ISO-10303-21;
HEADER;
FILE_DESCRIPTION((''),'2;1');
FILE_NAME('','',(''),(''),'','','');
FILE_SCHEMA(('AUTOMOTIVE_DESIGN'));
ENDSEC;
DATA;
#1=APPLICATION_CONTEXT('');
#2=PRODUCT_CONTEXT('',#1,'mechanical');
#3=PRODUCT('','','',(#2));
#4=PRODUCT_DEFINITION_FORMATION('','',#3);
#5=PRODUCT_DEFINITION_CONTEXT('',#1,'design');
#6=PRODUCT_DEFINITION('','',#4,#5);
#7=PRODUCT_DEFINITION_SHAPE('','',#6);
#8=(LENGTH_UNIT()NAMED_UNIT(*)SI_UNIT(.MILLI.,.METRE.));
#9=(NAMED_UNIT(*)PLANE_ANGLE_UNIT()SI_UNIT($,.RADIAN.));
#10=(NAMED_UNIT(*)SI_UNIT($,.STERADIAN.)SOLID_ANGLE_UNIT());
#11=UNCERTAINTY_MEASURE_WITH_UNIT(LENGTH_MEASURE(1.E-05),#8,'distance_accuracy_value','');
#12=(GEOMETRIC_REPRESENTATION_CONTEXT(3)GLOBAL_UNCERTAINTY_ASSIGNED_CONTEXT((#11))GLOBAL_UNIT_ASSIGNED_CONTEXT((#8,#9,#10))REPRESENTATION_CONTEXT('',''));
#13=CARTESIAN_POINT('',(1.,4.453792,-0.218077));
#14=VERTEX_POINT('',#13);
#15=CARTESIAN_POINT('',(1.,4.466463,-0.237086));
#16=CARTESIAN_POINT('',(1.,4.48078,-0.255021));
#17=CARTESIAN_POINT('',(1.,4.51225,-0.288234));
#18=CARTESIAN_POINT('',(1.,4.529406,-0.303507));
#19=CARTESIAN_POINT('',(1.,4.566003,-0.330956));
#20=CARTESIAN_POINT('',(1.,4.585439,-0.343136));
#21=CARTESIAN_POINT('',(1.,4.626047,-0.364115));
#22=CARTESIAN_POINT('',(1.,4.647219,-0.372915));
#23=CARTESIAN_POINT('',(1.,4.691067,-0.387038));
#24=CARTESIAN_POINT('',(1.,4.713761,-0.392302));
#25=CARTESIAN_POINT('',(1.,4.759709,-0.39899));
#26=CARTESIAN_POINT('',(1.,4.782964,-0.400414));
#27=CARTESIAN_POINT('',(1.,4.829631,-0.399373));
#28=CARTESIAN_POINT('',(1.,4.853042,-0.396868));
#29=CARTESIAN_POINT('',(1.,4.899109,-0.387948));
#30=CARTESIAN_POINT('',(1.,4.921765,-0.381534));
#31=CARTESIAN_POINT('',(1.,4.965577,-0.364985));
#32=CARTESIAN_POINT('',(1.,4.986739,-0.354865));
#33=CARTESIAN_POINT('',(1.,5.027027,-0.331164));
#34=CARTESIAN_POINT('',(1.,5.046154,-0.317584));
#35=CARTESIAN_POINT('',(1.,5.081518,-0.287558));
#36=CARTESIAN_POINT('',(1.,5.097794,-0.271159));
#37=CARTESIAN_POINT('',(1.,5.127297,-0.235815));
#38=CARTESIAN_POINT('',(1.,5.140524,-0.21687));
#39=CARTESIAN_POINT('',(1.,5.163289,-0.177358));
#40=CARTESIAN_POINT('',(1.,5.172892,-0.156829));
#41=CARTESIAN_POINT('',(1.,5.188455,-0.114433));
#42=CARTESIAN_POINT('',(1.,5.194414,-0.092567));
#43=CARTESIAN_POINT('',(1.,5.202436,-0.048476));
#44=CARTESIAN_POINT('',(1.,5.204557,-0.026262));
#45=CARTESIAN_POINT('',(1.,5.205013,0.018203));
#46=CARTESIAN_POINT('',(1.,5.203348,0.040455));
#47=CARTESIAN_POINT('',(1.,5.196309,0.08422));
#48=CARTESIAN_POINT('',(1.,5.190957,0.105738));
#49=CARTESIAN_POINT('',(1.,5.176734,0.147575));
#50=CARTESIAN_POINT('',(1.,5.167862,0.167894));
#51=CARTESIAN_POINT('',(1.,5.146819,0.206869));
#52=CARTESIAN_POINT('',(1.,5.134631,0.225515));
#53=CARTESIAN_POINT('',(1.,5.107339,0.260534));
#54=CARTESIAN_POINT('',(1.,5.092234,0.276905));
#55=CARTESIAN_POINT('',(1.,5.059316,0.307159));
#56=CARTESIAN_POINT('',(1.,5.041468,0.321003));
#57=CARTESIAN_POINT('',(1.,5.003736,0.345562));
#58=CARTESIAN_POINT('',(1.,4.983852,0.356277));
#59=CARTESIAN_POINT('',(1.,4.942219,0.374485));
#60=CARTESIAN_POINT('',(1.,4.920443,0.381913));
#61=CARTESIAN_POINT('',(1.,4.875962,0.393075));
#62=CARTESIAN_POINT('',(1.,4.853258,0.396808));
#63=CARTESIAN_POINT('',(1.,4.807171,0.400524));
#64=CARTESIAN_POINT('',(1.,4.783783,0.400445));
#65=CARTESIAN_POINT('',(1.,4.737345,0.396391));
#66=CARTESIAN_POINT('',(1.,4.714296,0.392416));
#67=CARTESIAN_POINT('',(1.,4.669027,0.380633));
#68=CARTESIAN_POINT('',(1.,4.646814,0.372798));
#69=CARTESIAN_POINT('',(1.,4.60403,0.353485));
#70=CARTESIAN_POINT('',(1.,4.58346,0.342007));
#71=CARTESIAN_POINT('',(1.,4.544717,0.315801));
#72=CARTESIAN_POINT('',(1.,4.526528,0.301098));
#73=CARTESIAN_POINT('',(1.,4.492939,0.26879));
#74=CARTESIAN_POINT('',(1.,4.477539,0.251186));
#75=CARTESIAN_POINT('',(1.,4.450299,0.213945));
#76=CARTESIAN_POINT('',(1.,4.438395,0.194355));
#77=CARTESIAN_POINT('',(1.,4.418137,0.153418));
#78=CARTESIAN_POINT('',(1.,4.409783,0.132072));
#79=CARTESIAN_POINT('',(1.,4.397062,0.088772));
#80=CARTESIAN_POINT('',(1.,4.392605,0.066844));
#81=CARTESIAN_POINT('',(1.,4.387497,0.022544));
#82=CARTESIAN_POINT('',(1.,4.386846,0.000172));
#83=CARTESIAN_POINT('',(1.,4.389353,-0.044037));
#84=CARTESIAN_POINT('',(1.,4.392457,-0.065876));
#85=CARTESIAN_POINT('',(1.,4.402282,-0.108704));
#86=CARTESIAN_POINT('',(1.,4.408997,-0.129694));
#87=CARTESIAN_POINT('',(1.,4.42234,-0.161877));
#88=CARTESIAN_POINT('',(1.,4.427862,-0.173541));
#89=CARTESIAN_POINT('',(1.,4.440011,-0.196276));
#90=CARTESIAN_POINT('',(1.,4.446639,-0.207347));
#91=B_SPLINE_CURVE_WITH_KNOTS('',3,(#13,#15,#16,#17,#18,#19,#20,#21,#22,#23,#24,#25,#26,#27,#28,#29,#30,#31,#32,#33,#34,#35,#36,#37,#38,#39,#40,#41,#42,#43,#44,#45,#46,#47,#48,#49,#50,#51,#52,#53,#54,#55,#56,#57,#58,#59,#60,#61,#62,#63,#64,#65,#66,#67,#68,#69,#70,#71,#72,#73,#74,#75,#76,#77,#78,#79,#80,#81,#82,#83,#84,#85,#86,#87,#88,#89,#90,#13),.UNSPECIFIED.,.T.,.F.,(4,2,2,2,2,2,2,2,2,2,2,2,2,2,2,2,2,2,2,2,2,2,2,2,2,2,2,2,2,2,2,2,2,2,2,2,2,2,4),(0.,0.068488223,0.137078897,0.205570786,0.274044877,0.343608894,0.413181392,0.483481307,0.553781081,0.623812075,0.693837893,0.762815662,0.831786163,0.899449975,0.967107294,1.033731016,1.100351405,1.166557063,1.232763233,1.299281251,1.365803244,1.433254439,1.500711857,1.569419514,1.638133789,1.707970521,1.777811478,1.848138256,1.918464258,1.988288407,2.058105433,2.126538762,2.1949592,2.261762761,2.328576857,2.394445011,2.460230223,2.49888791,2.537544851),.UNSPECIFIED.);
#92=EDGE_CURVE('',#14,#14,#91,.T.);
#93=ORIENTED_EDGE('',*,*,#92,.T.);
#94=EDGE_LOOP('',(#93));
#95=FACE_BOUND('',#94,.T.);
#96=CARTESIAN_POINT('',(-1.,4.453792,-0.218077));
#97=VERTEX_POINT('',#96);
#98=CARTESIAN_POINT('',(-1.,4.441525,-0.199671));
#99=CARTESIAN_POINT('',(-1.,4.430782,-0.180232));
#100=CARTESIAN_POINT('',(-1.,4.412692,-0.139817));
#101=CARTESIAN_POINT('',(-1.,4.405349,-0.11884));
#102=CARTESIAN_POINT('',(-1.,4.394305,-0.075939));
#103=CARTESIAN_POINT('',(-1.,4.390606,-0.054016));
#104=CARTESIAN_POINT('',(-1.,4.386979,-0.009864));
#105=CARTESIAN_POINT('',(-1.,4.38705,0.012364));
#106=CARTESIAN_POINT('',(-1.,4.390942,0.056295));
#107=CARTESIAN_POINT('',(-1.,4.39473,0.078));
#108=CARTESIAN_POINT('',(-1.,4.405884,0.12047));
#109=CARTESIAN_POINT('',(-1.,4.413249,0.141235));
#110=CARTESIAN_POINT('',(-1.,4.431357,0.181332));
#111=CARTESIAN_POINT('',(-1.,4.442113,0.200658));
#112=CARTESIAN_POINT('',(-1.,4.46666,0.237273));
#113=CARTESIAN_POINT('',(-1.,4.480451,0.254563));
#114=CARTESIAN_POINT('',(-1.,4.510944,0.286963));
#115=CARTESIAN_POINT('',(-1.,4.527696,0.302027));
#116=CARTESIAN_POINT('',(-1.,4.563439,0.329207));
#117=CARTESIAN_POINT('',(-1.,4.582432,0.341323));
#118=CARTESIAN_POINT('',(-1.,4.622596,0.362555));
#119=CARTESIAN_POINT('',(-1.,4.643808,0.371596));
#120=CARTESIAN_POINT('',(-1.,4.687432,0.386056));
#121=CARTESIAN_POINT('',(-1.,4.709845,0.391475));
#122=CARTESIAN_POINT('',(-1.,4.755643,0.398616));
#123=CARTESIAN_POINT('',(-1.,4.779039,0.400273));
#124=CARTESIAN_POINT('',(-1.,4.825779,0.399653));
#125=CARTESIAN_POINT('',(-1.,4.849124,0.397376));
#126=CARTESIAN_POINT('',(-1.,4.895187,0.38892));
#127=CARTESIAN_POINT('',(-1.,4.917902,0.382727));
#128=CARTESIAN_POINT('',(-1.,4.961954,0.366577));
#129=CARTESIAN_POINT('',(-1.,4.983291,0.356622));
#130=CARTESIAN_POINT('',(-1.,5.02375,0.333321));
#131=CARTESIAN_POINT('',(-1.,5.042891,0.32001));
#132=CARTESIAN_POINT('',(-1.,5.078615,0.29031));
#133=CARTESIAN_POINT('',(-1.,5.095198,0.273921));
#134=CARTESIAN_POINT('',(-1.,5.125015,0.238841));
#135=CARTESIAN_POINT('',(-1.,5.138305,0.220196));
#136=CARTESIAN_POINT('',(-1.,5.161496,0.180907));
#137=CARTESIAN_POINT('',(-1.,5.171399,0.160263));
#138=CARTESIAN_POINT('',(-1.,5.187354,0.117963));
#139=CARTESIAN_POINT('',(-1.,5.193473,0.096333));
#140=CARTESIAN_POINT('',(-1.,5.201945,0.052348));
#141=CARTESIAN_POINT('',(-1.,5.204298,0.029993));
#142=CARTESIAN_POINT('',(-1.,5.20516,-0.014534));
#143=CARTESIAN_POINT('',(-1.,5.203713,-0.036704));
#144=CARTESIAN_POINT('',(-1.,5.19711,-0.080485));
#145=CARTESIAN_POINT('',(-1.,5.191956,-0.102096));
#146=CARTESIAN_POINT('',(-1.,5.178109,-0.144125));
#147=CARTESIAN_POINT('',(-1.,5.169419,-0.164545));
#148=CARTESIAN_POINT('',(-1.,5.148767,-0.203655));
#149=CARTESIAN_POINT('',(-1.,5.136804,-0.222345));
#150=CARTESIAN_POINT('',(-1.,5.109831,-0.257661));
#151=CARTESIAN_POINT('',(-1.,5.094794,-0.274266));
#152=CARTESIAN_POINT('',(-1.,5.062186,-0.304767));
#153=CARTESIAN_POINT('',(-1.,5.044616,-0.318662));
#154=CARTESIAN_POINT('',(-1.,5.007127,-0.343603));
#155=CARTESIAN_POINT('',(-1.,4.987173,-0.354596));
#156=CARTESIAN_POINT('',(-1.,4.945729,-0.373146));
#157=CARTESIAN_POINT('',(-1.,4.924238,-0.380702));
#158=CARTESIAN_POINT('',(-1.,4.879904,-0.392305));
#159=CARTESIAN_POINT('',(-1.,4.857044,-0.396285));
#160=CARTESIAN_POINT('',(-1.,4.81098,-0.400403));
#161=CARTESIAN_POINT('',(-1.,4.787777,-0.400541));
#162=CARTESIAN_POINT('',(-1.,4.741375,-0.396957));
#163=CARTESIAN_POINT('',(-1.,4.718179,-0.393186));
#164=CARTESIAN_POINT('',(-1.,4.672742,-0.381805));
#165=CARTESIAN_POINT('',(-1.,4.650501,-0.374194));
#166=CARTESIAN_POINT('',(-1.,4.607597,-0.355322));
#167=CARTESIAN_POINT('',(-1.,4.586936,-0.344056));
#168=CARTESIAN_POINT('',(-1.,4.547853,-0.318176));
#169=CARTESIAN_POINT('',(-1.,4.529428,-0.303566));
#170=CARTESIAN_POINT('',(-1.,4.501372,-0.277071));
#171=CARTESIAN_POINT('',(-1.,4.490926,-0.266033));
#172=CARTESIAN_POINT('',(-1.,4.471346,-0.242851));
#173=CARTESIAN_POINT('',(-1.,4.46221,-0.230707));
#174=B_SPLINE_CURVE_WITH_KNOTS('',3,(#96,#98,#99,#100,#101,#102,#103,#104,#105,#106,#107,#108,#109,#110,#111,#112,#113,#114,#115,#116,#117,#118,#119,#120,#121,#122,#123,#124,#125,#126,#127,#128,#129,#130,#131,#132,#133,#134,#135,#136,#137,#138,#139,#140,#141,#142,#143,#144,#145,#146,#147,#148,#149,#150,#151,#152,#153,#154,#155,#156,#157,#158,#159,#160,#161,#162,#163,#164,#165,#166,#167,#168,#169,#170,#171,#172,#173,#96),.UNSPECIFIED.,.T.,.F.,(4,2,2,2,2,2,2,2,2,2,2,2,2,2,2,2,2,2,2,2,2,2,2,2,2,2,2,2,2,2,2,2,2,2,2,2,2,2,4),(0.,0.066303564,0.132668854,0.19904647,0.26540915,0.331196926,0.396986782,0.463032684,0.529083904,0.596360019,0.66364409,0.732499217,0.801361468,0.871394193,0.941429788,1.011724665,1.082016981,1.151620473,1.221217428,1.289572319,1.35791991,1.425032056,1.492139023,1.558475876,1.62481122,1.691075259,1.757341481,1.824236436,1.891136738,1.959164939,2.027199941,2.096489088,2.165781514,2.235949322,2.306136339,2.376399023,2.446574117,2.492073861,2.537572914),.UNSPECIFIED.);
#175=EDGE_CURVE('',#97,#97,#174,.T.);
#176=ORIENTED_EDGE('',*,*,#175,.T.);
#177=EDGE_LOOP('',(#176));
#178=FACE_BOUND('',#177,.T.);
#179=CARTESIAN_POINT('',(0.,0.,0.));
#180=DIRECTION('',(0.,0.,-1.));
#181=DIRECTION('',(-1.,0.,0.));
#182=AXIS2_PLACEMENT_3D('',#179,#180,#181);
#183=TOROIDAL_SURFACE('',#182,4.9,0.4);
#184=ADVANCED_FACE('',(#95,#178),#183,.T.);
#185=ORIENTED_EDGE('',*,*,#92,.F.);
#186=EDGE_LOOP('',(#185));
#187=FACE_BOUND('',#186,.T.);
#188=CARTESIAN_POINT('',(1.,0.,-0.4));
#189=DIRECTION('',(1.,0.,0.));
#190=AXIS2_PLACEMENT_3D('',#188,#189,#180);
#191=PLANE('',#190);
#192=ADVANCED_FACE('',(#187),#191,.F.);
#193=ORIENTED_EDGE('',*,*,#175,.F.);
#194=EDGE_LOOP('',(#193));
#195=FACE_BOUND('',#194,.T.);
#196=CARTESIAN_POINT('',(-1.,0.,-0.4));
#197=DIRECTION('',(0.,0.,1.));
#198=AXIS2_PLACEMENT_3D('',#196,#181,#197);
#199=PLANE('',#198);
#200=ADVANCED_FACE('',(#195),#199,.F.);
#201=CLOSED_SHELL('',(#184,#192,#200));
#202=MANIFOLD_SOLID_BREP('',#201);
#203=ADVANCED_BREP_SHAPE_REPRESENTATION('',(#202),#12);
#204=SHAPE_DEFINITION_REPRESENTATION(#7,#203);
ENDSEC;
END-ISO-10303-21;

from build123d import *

# Parameters (mm, degrees)
SKETCH2_R               = 0.4
CUT_EXTRUDE1_DEPTH      = 8.505997748
CUT_EXTRUDE1_DEPTH_BACK = 8.505997748
SKETCH3_W               = 2
SKETCH3_H               = 5.3


with BuildPart() as part:
    # Base-Sweep: sweep along a path in Sketch1
    with BuildLine(Plane.XY) as base_sweep_path:
        CenterArc((0, 0), 4.9, 0, 360)
    # Sketch2 → Base-Sweep (sweep)
    with BuildSketch(Plane(origin=(0, 0, 0), x_dir=(1, 0, 0), z_dir=(0, 1, 0))):
        with Locations((4.9, 0)):
            Circle(SKETCH2_R)
    sweep(path=base_sweep_path.line)

    # Sketch3 → Cut-Extrude1 (cut, two sides: drawn at the far end of the back side and taken through both)
    with BuildSketch(Plane.XY.offset(-CUT_EXTRUDE1_DEPTH_BACK)):
        with Locations((0, 2.65)):
            Rectangle(SKETCH3_W, SKETCH3_H)
    extrude(amount=CUT_EXTRUDE1_DEPTH + CUT_EXTRUDE1_DEPTH_BACK, mode=Mode.SUBTRACT)


solid = part.part
